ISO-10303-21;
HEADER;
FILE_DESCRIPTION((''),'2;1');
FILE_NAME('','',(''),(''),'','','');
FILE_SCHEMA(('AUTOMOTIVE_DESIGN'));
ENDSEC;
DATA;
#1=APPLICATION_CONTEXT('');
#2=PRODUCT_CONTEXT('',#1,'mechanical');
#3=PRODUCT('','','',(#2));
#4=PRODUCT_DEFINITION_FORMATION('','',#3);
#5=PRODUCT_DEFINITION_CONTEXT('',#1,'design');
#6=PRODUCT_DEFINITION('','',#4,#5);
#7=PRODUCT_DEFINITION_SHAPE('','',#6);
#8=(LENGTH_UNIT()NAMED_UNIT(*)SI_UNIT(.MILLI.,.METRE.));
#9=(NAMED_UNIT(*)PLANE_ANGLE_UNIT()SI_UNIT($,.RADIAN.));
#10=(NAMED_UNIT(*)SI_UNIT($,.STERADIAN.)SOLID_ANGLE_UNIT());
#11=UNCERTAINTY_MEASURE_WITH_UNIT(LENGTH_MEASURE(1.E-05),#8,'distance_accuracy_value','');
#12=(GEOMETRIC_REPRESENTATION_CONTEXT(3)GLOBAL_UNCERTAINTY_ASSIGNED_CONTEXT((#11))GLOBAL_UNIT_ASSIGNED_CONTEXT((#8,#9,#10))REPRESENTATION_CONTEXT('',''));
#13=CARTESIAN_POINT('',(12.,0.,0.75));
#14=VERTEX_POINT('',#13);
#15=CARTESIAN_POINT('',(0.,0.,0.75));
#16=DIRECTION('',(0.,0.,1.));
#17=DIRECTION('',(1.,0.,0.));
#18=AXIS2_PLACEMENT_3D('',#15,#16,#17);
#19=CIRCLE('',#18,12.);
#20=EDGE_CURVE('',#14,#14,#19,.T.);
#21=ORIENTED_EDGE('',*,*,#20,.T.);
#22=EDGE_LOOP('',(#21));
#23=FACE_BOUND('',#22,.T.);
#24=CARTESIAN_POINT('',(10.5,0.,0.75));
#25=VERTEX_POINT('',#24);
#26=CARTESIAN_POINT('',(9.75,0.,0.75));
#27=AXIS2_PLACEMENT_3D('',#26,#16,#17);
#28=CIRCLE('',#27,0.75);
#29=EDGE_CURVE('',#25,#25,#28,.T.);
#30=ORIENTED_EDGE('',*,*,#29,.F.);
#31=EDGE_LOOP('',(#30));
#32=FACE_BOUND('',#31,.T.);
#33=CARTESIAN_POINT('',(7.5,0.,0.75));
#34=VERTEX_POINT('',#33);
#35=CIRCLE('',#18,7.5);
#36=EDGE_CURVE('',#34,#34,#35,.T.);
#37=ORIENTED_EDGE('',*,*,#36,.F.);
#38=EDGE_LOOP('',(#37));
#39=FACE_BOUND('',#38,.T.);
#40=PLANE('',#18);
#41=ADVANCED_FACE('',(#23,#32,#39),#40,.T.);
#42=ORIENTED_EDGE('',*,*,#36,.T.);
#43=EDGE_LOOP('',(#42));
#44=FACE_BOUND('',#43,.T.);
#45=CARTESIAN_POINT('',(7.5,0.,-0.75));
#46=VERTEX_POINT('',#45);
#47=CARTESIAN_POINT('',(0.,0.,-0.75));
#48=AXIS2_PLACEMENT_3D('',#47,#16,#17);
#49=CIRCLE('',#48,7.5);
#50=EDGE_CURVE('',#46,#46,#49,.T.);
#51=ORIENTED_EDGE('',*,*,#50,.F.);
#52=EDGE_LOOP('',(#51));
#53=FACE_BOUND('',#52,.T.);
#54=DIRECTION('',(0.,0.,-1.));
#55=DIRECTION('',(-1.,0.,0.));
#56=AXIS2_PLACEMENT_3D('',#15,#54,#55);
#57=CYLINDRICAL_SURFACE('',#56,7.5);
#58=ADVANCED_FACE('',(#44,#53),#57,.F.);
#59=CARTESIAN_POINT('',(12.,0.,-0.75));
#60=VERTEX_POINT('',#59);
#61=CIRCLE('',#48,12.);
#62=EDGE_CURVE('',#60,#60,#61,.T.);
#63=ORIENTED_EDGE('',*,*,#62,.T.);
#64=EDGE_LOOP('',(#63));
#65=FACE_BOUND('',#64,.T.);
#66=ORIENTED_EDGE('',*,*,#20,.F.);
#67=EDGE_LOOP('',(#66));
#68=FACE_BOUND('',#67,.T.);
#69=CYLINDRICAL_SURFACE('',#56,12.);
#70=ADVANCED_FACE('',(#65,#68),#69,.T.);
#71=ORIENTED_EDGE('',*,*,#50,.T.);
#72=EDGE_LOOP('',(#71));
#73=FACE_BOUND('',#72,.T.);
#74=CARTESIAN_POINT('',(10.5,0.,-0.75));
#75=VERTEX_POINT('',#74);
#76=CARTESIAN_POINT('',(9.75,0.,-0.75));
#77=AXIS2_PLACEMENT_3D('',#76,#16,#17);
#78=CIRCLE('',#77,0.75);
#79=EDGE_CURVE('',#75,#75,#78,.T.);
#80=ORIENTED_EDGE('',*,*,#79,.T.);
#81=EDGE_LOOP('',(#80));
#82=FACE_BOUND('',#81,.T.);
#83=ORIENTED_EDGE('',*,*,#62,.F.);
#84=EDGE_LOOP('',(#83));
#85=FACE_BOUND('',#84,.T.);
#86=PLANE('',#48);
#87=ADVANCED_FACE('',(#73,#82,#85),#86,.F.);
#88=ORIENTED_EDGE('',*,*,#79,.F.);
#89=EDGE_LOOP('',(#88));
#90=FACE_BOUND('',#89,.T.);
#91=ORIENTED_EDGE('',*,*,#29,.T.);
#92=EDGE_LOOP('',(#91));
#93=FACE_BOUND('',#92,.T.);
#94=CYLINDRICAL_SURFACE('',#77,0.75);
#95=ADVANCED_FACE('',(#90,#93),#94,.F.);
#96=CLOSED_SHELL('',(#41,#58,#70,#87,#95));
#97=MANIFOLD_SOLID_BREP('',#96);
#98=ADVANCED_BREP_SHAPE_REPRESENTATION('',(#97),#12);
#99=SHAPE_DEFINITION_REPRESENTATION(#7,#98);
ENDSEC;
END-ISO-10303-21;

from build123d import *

# Parameters (mm, degrees)
SKETCH5_R           = 12
SKETCH5_R_2         = 7.5
BODY_EXTRUDE_DEPTH  = 0.75
HOLE_CUT_DEPTH      = 17.987127479
HOLE_CUT_DEPTH_BACK = 17.987127479
SKETCH3_R           = 0.75


with BuildPart() as part:
    # Sketch5 → Body Extrude (new, symmetric)
    with BuildSketch(Plane.XY):
        Circle(SKETCH5_R)
        Circle(SKETCH5_R_2, mode=Mode.SUBTRACT)
    extrude(amount=BODY_EXTRUDE_DEPTH, both=True)

    # Sketch3 → Hole Cut (cut, two sides: drawn at the far end of the back side and taken through both)
    with BuildSketch(Plane.XY.offset(-HOLE_CUT_DEPTH_BACK)):
        with Locations((9.75, 0)):
            Circle(SKETCH3_R)
    extrude(amount=HOLE_CUT_DEPTH + HOLE_CUT_DEPTH_BACK, mode=Mode.SUBTRACT)


solid = part.part
